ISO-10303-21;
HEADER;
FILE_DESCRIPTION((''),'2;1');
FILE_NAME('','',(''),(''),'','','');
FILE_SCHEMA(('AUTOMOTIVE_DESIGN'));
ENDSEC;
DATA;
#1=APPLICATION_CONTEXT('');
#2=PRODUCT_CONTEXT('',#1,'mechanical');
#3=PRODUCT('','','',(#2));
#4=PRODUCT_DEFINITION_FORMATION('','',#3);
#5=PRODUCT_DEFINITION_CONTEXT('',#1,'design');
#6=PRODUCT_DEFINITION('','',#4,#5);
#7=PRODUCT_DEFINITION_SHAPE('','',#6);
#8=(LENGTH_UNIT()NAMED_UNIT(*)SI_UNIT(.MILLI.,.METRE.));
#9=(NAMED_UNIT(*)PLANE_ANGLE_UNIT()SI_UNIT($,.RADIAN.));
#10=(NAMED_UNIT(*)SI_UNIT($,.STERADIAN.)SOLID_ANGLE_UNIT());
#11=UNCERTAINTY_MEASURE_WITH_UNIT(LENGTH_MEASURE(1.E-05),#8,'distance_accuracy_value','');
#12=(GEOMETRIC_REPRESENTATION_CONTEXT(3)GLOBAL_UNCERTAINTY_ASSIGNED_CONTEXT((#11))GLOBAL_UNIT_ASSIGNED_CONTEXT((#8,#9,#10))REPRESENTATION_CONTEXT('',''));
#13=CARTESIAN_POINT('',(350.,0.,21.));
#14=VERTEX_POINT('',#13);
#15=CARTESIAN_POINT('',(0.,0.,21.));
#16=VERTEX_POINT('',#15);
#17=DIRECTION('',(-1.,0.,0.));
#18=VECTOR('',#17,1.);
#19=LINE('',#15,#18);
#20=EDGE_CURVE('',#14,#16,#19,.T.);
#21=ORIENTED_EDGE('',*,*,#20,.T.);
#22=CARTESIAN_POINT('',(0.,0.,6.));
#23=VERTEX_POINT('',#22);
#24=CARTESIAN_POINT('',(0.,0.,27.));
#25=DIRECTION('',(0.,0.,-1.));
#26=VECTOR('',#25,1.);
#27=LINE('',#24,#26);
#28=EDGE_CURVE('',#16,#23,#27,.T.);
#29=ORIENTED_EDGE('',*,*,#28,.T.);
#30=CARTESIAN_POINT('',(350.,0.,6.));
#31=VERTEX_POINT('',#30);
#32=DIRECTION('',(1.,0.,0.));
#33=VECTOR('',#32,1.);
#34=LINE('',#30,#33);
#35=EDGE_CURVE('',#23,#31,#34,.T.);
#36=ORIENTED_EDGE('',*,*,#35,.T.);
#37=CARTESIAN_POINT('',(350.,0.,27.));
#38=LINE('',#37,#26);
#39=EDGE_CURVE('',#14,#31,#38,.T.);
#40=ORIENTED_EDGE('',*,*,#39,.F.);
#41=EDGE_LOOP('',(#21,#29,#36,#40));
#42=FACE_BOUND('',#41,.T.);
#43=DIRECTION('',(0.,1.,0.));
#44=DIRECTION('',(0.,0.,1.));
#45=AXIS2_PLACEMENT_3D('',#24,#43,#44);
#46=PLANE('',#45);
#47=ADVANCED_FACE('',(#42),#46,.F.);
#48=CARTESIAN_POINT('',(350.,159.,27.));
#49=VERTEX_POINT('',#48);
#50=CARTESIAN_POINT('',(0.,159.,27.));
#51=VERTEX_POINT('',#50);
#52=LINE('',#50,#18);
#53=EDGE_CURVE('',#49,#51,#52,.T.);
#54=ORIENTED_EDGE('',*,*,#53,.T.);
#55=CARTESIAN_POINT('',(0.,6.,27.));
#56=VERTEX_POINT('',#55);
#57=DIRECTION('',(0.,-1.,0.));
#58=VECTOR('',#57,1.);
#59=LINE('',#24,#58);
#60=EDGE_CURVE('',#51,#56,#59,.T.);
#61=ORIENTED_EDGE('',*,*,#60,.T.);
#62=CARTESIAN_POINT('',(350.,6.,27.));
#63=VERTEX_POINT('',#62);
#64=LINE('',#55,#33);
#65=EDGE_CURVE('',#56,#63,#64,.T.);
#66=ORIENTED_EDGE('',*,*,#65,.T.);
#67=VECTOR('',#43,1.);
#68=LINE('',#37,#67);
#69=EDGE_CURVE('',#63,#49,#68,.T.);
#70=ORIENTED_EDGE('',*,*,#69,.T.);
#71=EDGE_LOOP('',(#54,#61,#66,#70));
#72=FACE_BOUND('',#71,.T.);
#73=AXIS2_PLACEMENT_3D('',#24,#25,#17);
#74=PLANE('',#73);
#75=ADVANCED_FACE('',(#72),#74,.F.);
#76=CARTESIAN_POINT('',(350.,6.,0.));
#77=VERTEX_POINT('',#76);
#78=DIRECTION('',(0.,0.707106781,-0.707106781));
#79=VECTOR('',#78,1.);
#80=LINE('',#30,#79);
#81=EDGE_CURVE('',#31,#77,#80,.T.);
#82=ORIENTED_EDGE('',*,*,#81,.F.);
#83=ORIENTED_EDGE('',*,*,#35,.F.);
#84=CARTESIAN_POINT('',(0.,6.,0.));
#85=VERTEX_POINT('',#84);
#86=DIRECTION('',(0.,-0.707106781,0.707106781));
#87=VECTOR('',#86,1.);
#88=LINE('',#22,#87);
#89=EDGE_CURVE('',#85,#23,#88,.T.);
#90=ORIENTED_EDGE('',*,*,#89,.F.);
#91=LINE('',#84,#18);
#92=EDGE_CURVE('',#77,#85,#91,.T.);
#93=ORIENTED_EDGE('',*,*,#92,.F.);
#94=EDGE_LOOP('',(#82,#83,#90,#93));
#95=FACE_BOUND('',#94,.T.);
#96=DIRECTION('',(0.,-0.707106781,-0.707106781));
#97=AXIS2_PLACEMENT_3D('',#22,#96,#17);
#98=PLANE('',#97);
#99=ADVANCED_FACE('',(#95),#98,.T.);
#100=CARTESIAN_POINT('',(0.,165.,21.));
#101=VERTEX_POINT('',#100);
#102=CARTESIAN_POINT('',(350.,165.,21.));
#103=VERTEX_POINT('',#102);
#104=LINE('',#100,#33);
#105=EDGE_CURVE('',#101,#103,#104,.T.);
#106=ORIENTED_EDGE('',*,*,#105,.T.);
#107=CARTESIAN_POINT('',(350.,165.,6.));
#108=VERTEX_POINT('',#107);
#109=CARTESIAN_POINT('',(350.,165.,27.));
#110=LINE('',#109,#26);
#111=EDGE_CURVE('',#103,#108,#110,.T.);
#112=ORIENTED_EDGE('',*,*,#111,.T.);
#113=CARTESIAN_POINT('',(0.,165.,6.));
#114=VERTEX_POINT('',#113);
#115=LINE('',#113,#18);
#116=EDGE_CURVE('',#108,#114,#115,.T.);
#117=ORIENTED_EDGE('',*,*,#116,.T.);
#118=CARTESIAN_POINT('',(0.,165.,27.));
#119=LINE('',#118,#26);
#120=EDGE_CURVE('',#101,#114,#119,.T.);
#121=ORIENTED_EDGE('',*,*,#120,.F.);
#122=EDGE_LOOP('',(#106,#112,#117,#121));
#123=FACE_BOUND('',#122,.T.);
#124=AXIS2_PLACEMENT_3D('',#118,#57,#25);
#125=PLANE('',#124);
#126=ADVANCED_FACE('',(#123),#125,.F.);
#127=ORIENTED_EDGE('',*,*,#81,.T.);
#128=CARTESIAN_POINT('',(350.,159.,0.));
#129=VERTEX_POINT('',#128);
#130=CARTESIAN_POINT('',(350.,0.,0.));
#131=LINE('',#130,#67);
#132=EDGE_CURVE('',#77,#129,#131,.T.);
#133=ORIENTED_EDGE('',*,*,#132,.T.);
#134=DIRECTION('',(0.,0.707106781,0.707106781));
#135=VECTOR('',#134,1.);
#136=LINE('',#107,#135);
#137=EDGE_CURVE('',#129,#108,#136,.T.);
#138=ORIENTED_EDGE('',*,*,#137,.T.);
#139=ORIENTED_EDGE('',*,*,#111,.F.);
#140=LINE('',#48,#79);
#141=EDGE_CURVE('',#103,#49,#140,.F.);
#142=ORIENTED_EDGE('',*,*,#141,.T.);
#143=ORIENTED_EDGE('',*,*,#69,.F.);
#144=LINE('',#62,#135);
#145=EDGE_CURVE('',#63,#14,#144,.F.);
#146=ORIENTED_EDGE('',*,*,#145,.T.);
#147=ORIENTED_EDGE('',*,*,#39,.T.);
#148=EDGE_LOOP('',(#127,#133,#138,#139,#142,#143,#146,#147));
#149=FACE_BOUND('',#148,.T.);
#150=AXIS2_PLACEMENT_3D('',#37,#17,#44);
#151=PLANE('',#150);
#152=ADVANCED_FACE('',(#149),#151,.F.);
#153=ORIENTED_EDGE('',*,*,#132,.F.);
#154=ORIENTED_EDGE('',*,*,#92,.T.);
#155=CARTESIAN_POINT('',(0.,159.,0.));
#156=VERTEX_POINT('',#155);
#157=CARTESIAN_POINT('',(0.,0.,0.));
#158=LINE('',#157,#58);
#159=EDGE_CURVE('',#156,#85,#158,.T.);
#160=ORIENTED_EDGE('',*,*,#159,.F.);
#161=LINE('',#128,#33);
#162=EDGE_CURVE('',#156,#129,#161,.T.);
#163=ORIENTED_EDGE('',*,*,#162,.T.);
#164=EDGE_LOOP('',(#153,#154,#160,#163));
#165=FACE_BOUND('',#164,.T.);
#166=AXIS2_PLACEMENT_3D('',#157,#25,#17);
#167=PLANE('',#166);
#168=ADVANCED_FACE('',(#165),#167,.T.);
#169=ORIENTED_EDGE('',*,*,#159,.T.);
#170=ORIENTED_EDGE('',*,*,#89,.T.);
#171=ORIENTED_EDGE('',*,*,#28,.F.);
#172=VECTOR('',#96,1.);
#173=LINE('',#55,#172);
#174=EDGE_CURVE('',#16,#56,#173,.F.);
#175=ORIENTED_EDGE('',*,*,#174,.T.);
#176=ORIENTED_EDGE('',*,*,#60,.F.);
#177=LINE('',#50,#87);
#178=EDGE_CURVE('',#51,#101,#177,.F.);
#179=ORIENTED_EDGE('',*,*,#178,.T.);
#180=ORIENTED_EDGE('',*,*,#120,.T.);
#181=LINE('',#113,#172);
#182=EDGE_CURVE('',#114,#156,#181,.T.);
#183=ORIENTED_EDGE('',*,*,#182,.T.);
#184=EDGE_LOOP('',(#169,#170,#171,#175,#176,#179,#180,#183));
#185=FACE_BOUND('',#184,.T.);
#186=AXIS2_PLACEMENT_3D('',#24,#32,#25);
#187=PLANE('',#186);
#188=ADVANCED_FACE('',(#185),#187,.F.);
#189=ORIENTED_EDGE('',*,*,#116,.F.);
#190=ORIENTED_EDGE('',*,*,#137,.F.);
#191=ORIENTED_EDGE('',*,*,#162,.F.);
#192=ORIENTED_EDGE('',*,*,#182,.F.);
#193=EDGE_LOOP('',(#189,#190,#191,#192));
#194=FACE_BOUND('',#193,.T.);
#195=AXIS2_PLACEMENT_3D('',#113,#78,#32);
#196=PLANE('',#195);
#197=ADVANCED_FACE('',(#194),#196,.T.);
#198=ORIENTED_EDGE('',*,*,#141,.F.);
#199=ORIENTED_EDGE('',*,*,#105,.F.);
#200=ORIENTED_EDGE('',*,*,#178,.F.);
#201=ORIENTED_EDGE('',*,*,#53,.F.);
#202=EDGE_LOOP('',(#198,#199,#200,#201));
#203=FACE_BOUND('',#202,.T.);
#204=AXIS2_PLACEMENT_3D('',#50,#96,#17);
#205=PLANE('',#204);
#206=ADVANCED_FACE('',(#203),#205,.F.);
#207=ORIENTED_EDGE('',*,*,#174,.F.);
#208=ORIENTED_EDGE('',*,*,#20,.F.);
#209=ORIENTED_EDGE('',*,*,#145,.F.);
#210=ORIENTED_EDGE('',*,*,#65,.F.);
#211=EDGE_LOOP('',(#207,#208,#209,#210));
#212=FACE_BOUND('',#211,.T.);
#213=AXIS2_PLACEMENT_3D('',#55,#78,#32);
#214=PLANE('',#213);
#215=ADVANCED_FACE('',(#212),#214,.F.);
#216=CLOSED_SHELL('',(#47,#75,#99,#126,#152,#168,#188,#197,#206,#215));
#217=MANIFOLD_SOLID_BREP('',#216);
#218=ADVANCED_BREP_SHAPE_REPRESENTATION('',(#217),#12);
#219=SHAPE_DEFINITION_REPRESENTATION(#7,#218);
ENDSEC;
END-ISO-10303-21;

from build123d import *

# Parameters (mm, degrees)
ESQUISSE1_W        = 350
ESQUISSE1_H        = 165
BOSS_EXTRU_1_DEPTH = 27
CHANFREIN1_SIZE    = 6


with BuildPart() as part:
    # Esquisse1 → Boss.-Extru.1 (new body)
    with BuildSketch(Plane.XY):
        with Locations((175, 82.5)):
            Rectangle(ESQUISSE1_W, ESQUISSE1_H)
    extrude(amount=BOSS_EXTRU_1_DEPTH)

    # Chanfrein1
    chanfrein1_edges = [part.edges().sort_by_distance(p)[0] for p in [
        (175, 165, 27),
        (175, 165, 0),
        (175, 0, 0),
        (175, 0, 27),
    ]]
    chamfer(chanfrein1_edges, length=CHANFREIN1_SIZE)


solid = part.part
